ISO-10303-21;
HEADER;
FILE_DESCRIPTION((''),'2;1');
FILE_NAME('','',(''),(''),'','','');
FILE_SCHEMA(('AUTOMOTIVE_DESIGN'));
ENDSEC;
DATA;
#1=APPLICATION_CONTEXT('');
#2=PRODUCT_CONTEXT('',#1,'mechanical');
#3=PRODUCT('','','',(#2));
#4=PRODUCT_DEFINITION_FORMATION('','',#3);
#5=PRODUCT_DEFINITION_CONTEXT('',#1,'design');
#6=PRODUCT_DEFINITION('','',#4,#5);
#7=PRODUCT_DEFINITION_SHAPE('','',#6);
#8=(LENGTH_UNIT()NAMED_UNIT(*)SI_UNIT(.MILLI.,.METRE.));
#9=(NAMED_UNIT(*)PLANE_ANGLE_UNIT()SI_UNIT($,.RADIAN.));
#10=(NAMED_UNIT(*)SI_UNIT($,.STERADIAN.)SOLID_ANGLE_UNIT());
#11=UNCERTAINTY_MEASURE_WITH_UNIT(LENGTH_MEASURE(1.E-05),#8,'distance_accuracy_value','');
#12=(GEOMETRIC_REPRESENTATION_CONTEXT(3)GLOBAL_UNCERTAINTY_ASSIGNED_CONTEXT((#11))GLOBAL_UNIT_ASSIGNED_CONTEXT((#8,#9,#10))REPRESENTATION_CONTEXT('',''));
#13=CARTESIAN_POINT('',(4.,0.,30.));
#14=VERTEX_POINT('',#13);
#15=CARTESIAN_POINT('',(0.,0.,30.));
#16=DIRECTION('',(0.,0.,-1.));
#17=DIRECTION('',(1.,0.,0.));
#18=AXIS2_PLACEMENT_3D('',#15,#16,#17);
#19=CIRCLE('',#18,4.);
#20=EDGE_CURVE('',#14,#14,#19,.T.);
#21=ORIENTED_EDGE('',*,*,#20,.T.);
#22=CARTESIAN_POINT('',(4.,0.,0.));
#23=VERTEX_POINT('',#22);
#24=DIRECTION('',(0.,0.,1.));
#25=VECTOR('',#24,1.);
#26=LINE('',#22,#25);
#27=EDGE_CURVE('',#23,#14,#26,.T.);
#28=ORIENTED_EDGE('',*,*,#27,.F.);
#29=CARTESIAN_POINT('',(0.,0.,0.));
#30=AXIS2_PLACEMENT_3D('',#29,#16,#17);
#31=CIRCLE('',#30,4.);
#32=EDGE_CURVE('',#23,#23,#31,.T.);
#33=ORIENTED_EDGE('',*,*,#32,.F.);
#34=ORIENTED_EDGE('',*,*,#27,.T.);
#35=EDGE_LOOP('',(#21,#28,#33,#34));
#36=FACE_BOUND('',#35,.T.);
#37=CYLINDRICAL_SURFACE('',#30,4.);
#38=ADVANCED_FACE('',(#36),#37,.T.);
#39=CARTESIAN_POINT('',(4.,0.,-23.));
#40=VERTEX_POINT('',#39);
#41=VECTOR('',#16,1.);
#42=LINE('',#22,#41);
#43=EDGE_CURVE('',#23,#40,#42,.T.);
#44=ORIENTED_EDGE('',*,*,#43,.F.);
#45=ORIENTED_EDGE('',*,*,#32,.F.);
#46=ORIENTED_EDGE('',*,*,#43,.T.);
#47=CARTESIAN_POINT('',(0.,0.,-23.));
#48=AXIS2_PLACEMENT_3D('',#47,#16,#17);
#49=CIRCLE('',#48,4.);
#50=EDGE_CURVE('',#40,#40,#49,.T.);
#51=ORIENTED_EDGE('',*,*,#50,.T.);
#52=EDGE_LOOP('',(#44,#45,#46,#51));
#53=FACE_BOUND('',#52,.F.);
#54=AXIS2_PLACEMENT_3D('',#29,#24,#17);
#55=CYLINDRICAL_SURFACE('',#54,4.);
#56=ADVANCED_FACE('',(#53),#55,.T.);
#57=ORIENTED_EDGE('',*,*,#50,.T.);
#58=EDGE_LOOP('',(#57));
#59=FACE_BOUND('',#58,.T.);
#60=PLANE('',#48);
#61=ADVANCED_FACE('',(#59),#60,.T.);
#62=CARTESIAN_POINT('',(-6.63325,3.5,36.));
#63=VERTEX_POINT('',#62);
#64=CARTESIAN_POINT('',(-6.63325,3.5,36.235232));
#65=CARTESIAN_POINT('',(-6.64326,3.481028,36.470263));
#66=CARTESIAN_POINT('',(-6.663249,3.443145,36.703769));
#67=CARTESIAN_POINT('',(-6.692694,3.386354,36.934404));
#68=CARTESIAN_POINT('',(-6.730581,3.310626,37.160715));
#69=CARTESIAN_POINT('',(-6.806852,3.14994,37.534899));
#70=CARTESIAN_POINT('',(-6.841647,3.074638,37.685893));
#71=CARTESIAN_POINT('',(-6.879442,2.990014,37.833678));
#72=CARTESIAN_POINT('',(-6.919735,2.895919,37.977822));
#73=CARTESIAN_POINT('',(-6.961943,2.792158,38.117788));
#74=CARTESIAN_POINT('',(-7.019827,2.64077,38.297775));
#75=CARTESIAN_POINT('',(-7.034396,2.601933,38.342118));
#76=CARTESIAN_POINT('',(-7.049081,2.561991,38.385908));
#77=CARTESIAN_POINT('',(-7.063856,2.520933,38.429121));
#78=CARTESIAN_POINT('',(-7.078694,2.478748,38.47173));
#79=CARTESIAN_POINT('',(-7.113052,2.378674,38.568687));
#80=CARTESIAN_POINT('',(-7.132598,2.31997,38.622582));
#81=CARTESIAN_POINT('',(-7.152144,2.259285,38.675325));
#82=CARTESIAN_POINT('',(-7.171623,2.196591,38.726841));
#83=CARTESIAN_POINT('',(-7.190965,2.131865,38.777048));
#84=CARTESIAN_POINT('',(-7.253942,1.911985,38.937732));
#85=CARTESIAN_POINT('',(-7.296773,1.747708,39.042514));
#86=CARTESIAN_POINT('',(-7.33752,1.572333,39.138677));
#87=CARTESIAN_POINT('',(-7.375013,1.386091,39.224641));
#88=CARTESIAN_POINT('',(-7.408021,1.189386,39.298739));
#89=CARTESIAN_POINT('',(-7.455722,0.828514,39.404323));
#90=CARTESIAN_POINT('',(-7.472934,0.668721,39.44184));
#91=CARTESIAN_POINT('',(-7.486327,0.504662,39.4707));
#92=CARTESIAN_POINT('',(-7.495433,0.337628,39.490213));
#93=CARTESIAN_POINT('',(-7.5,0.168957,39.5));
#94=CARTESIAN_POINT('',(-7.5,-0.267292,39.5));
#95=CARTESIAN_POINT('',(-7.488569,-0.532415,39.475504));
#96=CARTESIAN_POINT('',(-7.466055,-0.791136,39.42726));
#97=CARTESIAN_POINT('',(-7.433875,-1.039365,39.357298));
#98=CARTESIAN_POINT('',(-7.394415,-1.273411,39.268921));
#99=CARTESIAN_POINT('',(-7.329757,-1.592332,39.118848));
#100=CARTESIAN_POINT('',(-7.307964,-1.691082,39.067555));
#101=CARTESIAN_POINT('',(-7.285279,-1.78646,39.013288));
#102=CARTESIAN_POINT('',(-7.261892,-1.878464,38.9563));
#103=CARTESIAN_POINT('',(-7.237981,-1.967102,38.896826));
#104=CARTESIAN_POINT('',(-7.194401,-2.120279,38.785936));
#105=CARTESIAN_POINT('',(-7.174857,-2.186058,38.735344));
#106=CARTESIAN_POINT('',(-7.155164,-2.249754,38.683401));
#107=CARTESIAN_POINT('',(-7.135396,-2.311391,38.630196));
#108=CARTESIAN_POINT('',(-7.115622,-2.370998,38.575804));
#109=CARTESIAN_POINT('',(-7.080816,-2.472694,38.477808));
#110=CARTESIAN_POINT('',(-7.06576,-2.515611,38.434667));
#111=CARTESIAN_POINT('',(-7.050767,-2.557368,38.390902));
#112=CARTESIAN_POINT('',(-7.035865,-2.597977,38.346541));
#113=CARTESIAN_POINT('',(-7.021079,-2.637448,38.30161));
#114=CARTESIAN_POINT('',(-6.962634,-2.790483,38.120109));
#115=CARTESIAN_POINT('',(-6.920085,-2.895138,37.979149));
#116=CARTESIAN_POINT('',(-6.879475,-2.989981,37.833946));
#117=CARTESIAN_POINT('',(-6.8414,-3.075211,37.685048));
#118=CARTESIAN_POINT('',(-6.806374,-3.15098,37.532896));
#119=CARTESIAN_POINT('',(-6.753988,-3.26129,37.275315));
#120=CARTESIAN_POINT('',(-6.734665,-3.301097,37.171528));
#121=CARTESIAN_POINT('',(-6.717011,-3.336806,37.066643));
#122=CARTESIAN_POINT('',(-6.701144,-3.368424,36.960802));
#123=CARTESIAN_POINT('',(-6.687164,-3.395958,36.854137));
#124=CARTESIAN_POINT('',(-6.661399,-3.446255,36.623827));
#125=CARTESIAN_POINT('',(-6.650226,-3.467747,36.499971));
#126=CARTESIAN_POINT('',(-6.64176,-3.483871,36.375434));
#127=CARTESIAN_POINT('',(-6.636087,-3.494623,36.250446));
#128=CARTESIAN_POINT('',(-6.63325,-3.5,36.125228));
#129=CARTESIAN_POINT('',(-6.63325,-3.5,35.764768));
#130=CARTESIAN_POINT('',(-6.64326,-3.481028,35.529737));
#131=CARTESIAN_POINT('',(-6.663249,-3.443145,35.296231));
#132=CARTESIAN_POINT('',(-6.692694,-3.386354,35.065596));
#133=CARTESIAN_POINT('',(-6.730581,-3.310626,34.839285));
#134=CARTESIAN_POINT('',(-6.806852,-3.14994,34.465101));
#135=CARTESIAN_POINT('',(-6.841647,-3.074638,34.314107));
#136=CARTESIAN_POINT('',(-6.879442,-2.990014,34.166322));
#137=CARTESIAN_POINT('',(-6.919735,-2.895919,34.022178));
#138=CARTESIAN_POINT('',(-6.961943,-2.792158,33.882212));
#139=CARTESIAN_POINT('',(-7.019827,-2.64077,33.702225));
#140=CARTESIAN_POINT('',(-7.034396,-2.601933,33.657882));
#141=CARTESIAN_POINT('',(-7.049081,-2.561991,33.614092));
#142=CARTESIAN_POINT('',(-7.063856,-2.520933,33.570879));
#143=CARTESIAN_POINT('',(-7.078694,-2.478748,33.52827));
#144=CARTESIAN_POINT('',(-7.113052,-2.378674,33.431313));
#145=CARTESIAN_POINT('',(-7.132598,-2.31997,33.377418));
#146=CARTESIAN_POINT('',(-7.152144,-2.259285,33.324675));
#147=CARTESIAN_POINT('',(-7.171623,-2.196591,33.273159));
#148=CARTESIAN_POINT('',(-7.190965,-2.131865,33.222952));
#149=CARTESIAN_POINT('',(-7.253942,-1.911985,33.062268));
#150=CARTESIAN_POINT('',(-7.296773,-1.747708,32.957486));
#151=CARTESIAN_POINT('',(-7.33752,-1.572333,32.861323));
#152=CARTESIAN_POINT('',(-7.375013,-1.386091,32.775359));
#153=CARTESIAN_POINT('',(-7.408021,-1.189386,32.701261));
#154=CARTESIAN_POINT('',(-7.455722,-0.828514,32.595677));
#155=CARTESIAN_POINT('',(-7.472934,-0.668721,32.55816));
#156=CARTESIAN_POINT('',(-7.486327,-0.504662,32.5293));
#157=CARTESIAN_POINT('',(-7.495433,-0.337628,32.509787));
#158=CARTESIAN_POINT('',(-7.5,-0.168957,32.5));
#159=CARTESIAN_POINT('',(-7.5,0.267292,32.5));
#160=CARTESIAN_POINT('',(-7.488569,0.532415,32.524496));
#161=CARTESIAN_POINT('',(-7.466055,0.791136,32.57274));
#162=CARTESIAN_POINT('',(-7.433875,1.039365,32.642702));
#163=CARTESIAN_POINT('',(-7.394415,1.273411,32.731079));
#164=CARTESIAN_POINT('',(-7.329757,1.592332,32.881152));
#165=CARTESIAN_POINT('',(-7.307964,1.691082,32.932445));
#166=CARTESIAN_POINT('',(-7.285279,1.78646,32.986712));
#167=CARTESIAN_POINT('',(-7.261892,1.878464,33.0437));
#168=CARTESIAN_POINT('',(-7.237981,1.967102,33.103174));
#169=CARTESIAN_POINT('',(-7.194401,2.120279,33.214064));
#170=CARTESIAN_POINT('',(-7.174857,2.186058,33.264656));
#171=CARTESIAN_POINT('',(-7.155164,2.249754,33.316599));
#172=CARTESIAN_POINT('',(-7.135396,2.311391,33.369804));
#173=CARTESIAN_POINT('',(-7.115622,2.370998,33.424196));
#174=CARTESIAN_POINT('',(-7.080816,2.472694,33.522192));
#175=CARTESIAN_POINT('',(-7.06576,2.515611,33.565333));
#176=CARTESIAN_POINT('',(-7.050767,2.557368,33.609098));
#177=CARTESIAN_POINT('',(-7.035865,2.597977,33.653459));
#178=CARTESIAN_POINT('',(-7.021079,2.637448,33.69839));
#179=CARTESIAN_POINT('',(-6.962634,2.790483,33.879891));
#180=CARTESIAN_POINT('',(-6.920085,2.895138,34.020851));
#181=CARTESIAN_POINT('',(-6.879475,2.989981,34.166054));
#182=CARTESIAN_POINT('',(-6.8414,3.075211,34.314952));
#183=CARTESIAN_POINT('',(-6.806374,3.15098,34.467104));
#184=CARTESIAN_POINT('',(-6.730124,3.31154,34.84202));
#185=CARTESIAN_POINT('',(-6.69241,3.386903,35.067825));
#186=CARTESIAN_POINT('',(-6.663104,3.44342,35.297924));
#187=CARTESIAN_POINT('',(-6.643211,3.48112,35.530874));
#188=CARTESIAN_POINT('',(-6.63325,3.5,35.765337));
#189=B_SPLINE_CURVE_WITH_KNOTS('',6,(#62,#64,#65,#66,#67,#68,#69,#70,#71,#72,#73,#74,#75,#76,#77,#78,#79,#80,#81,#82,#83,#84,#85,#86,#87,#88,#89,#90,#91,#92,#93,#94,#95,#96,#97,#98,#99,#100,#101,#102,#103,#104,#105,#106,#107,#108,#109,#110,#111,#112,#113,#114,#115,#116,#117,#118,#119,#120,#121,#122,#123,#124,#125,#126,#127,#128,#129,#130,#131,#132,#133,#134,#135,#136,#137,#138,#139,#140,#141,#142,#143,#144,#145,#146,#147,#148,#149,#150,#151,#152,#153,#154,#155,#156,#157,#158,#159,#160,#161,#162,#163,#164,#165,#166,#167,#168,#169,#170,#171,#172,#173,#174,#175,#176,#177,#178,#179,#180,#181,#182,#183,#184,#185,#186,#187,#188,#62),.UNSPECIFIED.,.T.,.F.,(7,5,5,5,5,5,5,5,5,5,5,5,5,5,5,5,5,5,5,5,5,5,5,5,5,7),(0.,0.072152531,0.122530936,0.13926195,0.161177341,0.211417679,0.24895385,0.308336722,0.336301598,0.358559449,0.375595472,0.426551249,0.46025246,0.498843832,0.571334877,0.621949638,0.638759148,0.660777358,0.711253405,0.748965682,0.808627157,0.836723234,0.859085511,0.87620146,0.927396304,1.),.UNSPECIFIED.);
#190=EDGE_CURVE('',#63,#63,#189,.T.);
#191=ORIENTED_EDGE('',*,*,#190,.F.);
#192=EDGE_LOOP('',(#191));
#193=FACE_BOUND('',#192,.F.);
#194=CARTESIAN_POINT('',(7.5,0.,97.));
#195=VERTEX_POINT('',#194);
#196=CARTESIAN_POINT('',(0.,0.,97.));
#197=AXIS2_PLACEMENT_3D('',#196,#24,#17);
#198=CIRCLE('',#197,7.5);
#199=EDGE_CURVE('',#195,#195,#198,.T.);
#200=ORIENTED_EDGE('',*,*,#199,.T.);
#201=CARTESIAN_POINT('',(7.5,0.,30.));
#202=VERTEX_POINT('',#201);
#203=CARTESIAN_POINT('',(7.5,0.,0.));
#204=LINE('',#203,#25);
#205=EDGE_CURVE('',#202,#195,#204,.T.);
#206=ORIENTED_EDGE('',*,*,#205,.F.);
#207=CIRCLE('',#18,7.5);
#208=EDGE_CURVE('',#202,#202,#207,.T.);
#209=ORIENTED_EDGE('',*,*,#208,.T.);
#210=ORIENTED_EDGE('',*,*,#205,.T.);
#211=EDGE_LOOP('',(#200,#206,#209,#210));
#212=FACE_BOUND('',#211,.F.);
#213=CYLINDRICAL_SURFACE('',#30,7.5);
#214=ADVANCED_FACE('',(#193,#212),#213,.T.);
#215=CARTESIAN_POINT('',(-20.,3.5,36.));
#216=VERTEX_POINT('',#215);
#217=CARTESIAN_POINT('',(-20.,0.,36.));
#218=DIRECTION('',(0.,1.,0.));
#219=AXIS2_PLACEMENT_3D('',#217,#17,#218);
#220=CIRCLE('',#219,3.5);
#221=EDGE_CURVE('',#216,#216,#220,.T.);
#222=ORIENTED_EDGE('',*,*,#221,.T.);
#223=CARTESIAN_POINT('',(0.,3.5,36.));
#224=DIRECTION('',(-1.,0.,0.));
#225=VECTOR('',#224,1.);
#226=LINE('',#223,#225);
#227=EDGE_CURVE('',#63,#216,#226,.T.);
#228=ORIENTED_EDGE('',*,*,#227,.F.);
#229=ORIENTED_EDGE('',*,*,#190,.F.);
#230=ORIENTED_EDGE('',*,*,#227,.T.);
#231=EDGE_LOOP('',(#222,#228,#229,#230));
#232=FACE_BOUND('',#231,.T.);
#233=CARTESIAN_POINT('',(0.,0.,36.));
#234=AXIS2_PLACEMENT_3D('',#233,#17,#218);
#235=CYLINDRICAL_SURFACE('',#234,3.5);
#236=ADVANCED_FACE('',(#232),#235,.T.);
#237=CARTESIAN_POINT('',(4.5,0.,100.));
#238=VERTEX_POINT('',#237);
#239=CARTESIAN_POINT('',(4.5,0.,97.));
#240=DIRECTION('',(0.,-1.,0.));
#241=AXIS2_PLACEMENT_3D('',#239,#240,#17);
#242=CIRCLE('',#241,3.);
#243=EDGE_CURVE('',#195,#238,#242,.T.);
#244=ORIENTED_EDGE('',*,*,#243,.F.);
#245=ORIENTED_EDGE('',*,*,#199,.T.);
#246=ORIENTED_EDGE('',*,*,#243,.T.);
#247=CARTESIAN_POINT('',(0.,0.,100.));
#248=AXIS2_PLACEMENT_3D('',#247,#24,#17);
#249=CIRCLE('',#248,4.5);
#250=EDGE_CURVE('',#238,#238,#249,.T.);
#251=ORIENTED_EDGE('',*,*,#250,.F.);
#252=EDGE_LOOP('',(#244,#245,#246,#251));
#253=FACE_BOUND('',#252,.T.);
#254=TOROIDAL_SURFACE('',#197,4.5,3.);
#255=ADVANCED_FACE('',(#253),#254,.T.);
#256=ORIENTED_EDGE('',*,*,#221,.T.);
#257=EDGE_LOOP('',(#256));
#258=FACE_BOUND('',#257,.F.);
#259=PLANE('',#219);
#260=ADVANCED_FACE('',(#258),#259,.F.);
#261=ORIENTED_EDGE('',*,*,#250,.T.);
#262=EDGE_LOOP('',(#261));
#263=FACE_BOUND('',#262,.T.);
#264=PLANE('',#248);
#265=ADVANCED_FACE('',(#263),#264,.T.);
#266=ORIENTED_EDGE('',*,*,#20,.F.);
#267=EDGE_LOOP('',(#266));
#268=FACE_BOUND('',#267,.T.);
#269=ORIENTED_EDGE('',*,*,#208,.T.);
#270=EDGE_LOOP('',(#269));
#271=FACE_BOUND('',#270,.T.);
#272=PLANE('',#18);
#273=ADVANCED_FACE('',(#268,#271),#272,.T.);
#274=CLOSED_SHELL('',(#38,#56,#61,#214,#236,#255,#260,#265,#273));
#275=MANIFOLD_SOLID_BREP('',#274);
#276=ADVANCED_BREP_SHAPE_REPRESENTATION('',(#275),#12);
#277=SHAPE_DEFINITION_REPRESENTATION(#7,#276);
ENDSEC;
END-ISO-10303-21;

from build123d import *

# Parameters (mm, degrees)
F0_R      = 7.5
F1_DEPTH  = 100
F2_R      = 3
F3_R      = 7.5
F3_R_2    = 4
F4_DEPTH  = 30
F5_R      = 3.5
F6_DEPTH  = 20
F1_FACE_R = 4
F7_DEPTH  = 23


with BuildPart() as f1:
    # F0 (on Top) → F1 (new body)
    with BuildSketch(Plane.XY):
        Circle(F0_R)
    extrude(amount=F1_DEPTH)

    # F2
    f2_edges = [f1.edges().sort_by_distance(p)[0] for p in [
        (-7.5, 0, 100),
    ]]
    fillet(f2_edges, radius=F2_R)

    # F3 (on face) → F4 (cut)
    with BuildSketch(Plane(origin=(0, 0, 0), x_dir=(1, 0, 0), z_dir=(0, 0, -1))):
        Circle(F3_R)
        Circle(F3_R_2, mode=Mode.SUBTRACT)
    extrude(amount=-F4_DEPTH, mode=Mode.SUBTRACT)

    # F5 (on Right) → F6 (join)
    with BuildSketch(Plane.YZ):
        with Locations((0, 36)):
            Circle(F5_R)
    extrude(amount=-F6_DEPTH)

    # F1_face (on face) → F7 (join)
    with BuildSketch(Plane(origin=(0, 0, 0), x_dir=(1, 0, 0), z_dir=(0, 0, -1))):
        Circle(F1_FACE_R)
    extrude(amount=F7_DEPTH)


solid = f1.part
